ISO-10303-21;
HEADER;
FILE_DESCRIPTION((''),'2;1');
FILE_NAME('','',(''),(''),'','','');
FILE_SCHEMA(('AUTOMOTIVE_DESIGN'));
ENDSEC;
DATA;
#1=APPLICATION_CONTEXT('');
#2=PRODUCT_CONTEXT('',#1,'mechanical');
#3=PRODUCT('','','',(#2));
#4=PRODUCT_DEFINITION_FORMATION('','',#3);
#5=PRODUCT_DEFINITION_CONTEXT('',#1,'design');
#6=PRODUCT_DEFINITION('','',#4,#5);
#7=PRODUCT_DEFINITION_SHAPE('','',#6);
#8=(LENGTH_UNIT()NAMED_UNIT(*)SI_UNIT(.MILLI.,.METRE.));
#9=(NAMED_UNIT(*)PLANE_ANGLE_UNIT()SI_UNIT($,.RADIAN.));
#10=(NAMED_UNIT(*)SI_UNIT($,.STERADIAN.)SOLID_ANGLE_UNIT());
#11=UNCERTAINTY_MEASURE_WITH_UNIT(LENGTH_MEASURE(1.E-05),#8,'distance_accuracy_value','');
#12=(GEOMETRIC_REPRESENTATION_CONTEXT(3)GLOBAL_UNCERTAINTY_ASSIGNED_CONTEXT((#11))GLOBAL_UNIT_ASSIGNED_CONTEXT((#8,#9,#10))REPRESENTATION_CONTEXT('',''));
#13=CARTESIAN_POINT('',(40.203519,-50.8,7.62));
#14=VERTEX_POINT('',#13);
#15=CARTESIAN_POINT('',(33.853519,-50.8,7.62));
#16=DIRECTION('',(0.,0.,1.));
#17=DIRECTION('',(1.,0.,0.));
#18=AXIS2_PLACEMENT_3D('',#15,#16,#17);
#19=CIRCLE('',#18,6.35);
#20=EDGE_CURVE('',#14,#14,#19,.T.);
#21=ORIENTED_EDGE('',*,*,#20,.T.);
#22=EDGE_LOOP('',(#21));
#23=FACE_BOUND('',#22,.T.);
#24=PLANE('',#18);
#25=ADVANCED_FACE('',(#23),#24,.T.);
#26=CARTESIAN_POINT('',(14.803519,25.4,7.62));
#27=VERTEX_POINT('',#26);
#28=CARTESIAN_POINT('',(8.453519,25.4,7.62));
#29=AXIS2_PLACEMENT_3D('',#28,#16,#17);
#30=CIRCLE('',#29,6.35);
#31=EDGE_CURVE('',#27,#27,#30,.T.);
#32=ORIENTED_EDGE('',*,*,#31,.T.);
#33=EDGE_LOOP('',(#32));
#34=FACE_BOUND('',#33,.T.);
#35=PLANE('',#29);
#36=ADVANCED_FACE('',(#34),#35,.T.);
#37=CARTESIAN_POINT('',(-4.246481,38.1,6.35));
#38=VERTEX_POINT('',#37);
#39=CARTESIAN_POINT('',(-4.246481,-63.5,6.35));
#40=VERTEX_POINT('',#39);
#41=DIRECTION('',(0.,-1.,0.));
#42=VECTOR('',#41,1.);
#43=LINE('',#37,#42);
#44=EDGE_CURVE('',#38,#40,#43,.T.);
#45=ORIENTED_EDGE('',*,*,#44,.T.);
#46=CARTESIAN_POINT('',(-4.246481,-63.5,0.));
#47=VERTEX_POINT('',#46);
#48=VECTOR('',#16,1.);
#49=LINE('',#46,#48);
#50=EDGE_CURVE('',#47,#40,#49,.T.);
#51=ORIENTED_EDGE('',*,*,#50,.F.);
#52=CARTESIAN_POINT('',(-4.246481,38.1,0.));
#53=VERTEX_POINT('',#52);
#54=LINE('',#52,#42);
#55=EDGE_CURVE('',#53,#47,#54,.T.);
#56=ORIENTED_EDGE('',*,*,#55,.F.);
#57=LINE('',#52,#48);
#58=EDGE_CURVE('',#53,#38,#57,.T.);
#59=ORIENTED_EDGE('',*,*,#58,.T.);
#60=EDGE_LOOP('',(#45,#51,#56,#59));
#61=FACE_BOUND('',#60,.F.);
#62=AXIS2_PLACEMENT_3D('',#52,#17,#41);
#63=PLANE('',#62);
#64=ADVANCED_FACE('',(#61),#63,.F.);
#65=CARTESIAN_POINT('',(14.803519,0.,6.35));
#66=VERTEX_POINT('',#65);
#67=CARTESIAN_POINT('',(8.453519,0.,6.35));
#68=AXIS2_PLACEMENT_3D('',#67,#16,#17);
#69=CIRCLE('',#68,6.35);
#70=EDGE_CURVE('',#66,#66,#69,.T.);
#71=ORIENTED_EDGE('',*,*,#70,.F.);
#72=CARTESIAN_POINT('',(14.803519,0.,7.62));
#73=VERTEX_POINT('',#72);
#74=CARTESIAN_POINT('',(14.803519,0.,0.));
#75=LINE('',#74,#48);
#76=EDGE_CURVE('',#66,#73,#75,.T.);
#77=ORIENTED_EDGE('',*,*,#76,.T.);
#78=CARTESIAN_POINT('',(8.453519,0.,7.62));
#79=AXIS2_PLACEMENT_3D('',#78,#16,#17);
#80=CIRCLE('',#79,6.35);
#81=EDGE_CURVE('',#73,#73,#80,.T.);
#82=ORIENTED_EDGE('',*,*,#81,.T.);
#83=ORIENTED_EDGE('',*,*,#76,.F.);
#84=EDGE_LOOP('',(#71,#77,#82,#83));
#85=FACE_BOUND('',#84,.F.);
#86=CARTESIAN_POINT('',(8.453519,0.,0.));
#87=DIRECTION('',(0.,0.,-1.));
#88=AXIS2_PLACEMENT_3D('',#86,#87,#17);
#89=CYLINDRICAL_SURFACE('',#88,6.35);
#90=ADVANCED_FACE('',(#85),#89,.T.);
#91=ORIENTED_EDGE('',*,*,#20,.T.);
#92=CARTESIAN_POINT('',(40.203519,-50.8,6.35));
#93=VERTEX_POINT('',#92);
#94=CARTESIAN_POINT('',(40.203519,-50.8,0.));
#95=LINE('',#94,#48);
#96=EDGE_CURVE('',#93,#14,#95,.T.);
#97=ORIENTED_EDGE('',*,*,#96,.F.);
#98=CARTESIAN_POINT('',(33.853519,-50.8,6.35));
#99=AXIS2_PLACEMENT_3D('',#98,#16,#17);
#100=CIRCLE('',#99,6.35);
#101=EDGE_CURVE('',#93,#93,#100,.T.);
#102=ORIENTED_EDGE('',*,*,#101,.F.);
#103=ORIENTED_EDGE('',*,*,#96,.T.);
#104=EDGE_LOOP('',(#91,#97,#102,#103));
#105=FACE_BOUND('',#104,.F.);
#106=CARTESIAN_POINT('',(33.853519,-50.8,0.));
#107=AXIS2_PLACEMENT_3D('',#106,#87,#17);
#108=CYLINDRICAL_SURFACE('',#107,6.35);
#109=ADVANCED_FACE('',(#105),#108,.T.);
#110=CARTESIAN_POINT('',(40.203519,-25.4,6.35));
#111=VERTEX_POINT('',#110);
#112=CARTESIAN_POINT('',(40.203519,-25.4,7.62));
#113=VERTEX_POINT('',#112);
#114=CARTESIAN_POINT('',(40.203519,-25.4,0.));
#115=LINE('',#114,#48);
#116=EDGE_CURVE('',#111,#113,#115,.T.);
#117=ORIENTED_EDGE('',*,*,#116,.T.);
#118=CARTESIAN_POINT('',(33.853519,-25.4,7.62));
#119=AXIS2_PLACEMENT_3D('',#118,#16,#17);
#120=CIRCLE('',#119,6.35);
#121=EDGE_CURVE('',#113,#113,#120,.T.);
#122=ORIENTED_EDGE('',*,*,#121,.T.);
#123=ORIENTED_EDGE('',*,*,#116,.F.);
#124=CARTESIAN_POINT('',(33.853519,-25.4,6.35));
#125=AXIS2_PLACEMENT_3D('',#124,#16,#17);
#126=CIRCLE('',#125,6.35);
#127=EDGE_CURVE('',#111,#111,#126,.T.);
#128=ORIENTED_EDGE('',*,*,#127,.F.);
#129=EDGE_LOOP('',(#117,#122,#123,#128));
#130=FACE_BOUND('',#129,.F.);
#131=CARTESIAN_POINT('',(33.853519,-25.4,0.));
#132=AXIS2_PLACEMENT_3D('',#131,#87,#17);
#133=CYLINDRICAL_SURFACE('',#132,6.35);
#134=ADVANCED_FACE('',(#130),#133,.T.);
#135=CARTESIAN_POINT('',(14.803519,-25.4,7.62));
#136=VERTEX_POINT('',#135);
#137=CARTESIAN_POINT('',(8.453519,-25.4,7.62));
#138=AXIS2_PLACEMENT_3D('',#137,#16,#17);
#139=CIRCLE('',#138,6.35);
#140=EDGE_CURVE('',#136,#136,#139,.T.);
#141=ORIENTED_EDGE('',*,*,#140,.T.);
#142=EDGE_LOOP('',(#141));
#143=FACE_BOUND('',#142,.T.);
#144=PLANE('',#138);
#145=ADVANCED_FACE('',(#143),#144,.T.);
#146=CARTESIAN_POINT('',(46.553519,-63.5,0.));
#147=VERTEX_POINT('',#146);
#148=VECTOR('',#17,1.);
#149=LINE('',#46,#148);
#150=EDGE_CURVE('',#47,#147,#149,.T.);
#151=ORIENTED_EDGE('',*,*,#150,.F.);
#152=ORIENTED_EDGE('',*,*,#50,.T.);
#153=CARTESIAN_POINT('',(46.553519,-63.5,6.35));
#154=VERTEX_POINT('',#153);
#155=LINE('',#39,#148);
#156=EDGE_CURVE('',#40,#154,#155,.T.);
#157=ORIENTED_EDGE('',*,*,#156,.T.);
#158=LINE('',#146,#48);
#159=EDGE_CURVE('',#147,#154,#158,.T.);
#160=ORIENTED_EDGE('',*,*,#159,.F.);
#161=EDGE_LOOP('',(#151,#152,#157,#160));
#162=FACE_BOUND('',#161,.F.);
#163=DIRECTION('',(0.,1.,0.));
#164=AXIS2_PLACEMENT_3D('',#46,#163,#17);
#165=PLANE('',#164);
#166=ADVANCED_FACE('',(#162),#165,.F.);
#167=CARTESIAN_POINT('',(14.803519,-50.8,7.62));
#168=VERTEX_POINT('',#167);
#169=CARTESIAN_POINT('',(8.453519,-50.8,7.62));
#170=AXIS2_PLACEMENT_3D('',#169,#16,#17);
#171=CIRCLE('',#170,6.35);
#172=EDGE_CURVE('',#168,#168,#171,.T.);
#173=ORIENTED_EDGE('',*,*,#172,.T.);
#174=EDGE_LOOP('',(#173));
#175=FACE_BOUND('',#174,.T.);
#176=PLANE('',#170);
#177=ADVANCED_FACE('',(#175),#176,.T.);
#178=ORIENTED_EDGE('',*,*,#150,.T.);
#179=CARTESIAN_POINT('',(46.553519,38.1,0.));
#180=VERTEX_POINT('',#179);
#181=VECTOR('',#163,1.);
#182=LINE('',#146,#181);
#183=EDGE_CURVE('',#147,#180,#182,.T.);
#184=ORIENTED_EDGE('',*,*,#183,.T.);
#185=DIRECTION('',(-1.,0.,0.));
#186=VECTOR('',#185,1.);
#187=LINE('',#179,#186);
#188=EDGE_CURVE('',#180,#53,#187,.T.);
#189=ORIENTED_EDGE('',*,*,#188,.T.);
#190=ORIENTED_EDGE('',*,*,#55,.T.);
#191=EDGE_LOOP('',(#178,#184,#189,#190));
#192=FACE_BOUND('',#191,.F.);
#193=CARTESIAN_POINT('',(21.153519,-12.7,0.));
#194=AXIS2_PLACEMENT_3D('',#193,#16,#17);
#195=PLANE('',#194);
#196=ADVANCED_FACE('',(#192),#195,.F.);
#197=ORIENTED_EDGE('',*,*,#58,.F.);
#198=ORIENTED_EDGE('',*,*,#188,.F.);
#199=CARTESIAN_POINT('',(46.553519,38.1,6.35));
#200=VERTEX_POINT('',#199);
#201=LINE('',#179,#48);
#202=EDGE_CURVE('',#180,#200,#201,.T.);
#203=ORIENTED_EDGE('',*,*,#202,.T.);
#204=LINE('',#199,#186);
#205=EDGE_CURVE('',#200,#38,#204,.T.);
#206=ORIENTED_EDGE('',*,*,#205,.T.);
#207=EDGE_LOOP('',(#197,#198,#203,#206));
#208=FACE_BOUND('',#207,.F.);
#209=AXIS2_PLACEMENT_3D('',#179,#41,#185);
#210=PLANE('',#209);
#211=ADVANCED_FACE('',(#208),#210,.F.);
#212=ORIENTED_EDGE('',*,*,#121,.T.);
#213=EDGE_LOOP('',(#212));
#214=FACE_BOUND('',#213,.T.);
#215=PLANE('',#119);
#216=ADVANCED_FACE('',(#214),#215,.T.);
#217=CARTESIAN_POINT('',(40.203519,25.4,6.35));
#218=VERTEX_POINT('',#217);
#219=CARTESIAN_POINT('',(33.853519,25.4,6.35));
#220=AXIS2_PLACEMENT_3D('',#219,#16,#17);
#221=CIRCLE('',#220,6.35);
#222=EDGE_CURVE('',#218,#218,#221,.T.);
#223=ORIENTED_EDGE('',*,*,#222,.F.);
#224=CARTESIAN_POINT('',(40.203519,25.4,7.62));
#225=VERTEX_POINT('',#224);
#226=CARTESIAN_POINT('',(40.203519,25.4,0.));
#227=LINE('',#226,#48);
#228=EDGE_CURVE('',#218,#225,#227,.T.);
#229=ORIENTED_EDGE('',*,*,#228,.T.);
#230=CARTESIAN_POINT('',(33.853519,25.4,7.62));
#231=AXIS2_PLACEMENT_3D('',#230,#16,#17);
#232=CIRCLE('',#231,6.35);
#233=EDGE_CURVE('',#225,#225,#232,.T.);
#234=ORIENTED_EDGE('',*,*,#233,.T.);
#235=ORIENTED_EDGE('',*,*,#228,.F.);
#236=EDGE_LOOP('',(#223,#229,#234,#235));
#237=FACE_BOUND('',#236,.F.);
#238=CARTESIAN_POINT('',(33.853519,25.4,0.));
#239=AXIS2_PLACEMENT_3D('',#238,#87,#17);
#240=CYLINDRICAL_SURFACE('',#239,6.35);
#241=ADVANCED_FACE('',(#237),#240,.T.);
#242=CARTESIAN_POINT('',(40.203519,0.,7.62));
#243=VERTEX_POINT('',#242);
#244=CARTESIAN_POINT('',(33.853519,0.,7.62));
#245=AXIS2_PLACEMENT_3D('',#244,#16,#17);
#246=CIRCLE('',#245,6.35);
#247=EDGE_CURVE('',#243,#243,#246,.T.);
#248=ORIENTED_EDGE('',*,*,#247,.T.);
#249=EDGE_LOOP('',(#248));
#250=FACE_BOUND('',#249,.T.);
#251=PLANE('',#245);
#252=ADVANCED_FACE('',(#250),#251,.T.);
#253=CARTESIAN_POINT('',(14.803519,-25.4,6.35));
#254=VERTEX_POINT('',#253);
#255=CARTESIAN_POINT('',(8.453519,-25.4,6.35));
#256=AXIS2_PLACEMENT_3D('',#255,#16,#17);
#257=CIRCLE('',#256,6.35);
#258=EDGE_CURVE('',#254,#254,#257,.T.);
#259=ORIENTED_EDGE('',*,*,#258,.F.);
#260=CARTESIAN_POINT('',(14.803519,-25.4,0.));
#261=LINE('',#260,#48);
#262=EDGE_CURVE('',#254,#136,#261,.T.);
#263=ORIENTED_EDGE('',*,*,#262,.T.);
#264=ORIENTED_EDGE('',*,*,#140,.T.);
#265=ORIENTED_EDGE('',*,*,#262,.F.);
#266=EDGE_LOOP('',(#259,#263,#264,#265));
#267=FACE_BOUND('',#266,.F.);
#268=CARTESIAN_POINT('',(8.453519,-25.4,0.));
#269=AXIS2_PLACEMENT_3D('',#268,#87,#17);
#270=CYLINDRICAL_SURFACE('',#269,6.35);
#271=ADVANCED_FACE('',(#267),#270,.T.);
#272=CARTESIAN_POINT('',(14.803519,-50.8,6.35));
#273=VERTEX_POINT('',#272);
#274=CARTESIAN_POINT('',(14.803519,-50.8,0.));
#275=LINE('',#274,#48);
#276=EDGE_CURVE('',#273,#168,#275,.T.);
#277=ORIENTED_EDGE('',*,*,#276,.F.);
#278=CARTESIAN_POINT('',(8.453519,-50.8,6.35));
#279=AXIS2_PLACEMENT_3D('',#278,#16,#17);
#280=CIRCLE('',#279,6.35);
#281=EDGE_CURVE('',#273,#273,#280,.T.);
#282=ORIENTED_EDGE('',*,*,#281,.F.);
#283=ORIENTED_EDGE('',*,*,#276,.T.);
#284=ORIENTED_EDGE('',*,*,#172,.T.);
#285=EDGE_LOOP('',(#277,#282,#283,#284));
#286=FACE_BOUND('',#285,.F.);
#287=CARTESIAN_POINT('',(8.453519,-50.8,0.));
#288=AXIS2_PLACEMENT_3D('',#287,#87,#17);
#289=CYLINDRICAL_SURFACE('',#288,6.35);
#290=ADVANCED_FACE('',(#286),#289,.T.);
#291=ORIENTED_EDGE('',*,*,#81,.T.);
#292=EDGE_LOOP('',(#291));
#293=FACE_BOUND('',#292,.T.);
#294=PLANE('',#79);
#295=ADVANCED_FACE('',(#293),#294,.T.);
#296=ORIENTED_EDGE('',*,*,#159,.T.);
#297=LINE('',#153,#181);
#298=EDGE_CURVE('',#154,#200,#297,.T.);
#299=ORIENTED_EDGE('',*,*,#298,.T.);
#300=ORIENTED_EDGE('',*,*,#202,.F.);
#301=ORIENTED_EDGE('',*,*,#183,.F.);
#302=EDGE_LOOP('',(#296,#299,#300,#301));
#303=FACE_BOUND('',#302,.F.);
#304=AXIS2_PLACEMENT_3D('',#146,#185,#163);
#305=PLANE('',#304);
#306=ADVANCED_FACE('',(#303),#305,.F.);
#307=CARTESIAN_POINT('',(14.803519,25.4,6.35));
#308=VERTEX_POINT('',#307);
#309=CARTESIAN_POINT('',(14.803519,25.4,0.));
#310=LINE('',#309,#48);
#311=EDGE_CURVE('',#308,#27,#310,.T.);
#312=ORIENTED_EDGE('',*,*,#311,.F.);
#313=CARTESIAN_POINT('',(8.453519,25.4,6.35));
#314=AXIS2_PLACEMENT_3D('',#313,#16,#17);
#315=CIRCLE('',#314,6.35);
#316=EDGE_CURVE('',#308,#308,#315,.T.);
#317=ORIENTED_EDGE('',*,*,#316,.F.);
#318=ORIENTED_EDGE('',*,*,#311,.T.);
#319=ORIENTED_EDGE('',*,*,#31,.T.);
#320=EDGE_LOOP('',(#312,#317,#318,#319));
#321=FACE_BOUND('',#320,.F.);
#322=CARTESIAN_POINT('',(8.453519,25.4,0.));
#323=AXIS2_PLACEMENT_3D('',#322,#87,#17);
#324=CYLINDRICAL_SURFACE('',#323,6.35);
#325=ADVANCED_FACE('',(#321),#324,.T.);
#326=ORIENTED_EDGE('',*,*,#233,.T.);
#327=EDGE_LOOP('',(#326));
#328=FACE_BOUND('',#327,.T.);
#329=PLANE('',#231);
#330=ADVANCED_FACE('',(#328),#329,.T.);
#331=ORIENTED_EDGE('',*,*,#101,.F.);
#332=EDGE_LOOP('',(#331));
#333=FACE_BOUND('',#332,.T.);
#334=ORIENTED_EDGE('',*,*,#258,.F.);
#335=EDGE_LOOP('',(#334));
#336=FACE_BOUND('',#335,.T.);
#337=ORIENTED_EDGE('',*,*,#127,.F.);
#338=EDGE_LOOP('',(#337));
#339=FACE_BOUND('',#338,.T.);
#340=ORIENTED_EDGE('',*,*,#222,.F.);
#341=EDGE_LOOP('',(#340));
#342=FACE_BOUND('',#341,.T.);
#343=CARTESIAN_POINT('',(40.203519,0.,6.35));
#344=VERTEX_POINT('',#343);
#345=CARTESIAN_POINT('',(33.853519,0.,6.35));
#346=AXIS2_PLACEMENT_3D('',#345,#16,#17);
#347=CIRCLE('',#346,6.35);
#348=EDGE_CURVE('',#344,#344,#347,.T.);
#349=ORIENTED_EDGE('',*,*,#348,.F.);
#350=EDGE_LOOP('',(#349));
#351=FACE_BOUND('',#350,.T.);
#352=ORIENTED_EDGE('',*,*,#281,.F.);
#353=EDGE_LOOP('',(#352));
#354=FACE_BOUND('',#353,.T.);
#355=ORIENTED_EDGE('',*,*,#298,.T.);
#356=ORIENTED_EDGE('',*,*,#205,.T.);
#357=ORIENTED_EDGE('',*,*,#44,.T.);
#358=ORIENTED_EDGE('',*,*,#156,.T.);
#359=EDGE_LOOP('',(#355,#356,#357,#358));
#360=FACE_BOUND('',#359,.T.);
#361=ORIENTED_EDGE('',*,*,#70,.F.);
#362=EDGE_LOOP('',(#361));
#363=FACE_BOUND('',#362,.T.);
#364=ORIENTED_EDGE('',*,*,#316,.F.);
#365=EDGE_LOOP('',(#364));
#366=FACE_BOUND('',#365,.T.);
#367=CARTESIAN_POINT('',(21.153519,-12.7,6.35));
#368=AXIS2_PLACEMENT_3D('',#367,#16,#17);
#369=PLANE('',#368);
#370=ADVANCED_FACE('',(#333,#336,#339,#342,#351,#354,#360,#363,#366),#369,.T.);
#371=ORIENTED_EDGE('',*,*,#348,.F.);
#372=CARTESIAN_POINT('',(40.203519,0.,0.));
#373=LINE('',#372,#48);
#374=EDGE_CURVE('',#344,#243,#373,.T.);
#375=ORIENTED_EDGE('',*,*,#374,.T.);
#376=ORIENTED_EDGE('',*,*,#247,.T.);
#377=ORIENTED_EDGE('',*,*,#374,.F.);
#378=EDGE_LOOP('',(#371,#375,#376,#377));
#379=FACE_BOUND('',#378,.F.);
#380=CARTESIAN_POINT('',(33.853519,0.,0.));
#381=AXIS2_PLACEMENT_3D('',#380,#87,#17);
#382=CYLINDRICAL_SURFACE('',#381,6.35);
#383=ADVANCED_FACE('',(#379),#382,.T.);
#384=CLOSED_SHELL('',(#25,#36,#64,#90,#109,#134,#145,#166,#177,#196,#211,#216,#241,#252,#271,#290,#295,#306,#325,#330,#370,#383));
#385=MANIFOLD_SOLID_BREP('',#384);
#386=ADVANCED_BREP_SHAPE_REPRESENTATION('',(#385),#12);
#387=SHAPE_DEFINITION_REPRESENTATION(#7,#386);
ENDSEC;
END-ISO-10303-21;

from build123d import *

# Parameters (mm, degrees)
F0_R     = 6.35
F1_DEPTH = 6.35
F2_DEPTH = 7.62


with BuildPart() as f1:
    # F0 (on Top) → F1 (new body)
    with BuildSketch(Plane.XY):
        Polygon((8.453519, 38.1), (-4.246481, 38.1), (-4.246481, 25.4), (-4.246481, 0), (-4.246481, -25.4), (-4.246481, -50.8), (-4.246481, -63.5), (46.553519, -63.5), (46.553519, 38.1), (33.853519, 38.1), align=None)
        with Locations((8.453519, -50.8)):
            Circle(F0_R, mode=Mode.SUBTRACT)
        with Locations((8.453519, -25.4)):
            Circle(F0_R, mode=Mode.SUBTRACT)
        with Locations((33.853519, -50.8)):
            Circle(F0_R, mode=Mode.SUBTRACT)
        with Locations((33.853519, -25.4)):
            Circle(F0_R, mode=Mode.SUBTRACT)
        with Locations((8.453519, 0)):
            Circle(F0_R, mode=Mode.SUBTRACT)
        with Locations((8.453519, 25.4)):
            Circle(F0_R, mode=Mode.SUBTRACT)
        with Locations((33.853519, 0)):
            Circle(F0_R, mode=Mode.SUBTRACT)
        with Locations((33.853519, 25.4)):
            Circle(F0_R, mode=Mode.SUBTRACT)
    extrude(amount=F1_DEPTH)

    # F0 (on Top) → F2 (join)
    with BuildSketch(Plane.XY):
        with Locations((33.853519, -50.8)):
            Circle(F0_R)
        with Locations((8.453519, -50.8)):
            Circle(F0_R)
        with Locations((8.453519, -25.4)):
            Circle(F0_R)
        with Locations((33.853519, -25.4)):
            Circle(F0_R)
        with Locations((33.853519, 0)):
            Circle(F0_R)
        with Locations((8.453519, 0)):
            Circle(F0_R)
        with Locations((8.453519, 25.4)):
            Circle(F0_R)
        with Locations((33.853519, 25.4)):
            Circle(F0_R)
    extrude(amount=F2_DEPTH)


solid = f1.part
